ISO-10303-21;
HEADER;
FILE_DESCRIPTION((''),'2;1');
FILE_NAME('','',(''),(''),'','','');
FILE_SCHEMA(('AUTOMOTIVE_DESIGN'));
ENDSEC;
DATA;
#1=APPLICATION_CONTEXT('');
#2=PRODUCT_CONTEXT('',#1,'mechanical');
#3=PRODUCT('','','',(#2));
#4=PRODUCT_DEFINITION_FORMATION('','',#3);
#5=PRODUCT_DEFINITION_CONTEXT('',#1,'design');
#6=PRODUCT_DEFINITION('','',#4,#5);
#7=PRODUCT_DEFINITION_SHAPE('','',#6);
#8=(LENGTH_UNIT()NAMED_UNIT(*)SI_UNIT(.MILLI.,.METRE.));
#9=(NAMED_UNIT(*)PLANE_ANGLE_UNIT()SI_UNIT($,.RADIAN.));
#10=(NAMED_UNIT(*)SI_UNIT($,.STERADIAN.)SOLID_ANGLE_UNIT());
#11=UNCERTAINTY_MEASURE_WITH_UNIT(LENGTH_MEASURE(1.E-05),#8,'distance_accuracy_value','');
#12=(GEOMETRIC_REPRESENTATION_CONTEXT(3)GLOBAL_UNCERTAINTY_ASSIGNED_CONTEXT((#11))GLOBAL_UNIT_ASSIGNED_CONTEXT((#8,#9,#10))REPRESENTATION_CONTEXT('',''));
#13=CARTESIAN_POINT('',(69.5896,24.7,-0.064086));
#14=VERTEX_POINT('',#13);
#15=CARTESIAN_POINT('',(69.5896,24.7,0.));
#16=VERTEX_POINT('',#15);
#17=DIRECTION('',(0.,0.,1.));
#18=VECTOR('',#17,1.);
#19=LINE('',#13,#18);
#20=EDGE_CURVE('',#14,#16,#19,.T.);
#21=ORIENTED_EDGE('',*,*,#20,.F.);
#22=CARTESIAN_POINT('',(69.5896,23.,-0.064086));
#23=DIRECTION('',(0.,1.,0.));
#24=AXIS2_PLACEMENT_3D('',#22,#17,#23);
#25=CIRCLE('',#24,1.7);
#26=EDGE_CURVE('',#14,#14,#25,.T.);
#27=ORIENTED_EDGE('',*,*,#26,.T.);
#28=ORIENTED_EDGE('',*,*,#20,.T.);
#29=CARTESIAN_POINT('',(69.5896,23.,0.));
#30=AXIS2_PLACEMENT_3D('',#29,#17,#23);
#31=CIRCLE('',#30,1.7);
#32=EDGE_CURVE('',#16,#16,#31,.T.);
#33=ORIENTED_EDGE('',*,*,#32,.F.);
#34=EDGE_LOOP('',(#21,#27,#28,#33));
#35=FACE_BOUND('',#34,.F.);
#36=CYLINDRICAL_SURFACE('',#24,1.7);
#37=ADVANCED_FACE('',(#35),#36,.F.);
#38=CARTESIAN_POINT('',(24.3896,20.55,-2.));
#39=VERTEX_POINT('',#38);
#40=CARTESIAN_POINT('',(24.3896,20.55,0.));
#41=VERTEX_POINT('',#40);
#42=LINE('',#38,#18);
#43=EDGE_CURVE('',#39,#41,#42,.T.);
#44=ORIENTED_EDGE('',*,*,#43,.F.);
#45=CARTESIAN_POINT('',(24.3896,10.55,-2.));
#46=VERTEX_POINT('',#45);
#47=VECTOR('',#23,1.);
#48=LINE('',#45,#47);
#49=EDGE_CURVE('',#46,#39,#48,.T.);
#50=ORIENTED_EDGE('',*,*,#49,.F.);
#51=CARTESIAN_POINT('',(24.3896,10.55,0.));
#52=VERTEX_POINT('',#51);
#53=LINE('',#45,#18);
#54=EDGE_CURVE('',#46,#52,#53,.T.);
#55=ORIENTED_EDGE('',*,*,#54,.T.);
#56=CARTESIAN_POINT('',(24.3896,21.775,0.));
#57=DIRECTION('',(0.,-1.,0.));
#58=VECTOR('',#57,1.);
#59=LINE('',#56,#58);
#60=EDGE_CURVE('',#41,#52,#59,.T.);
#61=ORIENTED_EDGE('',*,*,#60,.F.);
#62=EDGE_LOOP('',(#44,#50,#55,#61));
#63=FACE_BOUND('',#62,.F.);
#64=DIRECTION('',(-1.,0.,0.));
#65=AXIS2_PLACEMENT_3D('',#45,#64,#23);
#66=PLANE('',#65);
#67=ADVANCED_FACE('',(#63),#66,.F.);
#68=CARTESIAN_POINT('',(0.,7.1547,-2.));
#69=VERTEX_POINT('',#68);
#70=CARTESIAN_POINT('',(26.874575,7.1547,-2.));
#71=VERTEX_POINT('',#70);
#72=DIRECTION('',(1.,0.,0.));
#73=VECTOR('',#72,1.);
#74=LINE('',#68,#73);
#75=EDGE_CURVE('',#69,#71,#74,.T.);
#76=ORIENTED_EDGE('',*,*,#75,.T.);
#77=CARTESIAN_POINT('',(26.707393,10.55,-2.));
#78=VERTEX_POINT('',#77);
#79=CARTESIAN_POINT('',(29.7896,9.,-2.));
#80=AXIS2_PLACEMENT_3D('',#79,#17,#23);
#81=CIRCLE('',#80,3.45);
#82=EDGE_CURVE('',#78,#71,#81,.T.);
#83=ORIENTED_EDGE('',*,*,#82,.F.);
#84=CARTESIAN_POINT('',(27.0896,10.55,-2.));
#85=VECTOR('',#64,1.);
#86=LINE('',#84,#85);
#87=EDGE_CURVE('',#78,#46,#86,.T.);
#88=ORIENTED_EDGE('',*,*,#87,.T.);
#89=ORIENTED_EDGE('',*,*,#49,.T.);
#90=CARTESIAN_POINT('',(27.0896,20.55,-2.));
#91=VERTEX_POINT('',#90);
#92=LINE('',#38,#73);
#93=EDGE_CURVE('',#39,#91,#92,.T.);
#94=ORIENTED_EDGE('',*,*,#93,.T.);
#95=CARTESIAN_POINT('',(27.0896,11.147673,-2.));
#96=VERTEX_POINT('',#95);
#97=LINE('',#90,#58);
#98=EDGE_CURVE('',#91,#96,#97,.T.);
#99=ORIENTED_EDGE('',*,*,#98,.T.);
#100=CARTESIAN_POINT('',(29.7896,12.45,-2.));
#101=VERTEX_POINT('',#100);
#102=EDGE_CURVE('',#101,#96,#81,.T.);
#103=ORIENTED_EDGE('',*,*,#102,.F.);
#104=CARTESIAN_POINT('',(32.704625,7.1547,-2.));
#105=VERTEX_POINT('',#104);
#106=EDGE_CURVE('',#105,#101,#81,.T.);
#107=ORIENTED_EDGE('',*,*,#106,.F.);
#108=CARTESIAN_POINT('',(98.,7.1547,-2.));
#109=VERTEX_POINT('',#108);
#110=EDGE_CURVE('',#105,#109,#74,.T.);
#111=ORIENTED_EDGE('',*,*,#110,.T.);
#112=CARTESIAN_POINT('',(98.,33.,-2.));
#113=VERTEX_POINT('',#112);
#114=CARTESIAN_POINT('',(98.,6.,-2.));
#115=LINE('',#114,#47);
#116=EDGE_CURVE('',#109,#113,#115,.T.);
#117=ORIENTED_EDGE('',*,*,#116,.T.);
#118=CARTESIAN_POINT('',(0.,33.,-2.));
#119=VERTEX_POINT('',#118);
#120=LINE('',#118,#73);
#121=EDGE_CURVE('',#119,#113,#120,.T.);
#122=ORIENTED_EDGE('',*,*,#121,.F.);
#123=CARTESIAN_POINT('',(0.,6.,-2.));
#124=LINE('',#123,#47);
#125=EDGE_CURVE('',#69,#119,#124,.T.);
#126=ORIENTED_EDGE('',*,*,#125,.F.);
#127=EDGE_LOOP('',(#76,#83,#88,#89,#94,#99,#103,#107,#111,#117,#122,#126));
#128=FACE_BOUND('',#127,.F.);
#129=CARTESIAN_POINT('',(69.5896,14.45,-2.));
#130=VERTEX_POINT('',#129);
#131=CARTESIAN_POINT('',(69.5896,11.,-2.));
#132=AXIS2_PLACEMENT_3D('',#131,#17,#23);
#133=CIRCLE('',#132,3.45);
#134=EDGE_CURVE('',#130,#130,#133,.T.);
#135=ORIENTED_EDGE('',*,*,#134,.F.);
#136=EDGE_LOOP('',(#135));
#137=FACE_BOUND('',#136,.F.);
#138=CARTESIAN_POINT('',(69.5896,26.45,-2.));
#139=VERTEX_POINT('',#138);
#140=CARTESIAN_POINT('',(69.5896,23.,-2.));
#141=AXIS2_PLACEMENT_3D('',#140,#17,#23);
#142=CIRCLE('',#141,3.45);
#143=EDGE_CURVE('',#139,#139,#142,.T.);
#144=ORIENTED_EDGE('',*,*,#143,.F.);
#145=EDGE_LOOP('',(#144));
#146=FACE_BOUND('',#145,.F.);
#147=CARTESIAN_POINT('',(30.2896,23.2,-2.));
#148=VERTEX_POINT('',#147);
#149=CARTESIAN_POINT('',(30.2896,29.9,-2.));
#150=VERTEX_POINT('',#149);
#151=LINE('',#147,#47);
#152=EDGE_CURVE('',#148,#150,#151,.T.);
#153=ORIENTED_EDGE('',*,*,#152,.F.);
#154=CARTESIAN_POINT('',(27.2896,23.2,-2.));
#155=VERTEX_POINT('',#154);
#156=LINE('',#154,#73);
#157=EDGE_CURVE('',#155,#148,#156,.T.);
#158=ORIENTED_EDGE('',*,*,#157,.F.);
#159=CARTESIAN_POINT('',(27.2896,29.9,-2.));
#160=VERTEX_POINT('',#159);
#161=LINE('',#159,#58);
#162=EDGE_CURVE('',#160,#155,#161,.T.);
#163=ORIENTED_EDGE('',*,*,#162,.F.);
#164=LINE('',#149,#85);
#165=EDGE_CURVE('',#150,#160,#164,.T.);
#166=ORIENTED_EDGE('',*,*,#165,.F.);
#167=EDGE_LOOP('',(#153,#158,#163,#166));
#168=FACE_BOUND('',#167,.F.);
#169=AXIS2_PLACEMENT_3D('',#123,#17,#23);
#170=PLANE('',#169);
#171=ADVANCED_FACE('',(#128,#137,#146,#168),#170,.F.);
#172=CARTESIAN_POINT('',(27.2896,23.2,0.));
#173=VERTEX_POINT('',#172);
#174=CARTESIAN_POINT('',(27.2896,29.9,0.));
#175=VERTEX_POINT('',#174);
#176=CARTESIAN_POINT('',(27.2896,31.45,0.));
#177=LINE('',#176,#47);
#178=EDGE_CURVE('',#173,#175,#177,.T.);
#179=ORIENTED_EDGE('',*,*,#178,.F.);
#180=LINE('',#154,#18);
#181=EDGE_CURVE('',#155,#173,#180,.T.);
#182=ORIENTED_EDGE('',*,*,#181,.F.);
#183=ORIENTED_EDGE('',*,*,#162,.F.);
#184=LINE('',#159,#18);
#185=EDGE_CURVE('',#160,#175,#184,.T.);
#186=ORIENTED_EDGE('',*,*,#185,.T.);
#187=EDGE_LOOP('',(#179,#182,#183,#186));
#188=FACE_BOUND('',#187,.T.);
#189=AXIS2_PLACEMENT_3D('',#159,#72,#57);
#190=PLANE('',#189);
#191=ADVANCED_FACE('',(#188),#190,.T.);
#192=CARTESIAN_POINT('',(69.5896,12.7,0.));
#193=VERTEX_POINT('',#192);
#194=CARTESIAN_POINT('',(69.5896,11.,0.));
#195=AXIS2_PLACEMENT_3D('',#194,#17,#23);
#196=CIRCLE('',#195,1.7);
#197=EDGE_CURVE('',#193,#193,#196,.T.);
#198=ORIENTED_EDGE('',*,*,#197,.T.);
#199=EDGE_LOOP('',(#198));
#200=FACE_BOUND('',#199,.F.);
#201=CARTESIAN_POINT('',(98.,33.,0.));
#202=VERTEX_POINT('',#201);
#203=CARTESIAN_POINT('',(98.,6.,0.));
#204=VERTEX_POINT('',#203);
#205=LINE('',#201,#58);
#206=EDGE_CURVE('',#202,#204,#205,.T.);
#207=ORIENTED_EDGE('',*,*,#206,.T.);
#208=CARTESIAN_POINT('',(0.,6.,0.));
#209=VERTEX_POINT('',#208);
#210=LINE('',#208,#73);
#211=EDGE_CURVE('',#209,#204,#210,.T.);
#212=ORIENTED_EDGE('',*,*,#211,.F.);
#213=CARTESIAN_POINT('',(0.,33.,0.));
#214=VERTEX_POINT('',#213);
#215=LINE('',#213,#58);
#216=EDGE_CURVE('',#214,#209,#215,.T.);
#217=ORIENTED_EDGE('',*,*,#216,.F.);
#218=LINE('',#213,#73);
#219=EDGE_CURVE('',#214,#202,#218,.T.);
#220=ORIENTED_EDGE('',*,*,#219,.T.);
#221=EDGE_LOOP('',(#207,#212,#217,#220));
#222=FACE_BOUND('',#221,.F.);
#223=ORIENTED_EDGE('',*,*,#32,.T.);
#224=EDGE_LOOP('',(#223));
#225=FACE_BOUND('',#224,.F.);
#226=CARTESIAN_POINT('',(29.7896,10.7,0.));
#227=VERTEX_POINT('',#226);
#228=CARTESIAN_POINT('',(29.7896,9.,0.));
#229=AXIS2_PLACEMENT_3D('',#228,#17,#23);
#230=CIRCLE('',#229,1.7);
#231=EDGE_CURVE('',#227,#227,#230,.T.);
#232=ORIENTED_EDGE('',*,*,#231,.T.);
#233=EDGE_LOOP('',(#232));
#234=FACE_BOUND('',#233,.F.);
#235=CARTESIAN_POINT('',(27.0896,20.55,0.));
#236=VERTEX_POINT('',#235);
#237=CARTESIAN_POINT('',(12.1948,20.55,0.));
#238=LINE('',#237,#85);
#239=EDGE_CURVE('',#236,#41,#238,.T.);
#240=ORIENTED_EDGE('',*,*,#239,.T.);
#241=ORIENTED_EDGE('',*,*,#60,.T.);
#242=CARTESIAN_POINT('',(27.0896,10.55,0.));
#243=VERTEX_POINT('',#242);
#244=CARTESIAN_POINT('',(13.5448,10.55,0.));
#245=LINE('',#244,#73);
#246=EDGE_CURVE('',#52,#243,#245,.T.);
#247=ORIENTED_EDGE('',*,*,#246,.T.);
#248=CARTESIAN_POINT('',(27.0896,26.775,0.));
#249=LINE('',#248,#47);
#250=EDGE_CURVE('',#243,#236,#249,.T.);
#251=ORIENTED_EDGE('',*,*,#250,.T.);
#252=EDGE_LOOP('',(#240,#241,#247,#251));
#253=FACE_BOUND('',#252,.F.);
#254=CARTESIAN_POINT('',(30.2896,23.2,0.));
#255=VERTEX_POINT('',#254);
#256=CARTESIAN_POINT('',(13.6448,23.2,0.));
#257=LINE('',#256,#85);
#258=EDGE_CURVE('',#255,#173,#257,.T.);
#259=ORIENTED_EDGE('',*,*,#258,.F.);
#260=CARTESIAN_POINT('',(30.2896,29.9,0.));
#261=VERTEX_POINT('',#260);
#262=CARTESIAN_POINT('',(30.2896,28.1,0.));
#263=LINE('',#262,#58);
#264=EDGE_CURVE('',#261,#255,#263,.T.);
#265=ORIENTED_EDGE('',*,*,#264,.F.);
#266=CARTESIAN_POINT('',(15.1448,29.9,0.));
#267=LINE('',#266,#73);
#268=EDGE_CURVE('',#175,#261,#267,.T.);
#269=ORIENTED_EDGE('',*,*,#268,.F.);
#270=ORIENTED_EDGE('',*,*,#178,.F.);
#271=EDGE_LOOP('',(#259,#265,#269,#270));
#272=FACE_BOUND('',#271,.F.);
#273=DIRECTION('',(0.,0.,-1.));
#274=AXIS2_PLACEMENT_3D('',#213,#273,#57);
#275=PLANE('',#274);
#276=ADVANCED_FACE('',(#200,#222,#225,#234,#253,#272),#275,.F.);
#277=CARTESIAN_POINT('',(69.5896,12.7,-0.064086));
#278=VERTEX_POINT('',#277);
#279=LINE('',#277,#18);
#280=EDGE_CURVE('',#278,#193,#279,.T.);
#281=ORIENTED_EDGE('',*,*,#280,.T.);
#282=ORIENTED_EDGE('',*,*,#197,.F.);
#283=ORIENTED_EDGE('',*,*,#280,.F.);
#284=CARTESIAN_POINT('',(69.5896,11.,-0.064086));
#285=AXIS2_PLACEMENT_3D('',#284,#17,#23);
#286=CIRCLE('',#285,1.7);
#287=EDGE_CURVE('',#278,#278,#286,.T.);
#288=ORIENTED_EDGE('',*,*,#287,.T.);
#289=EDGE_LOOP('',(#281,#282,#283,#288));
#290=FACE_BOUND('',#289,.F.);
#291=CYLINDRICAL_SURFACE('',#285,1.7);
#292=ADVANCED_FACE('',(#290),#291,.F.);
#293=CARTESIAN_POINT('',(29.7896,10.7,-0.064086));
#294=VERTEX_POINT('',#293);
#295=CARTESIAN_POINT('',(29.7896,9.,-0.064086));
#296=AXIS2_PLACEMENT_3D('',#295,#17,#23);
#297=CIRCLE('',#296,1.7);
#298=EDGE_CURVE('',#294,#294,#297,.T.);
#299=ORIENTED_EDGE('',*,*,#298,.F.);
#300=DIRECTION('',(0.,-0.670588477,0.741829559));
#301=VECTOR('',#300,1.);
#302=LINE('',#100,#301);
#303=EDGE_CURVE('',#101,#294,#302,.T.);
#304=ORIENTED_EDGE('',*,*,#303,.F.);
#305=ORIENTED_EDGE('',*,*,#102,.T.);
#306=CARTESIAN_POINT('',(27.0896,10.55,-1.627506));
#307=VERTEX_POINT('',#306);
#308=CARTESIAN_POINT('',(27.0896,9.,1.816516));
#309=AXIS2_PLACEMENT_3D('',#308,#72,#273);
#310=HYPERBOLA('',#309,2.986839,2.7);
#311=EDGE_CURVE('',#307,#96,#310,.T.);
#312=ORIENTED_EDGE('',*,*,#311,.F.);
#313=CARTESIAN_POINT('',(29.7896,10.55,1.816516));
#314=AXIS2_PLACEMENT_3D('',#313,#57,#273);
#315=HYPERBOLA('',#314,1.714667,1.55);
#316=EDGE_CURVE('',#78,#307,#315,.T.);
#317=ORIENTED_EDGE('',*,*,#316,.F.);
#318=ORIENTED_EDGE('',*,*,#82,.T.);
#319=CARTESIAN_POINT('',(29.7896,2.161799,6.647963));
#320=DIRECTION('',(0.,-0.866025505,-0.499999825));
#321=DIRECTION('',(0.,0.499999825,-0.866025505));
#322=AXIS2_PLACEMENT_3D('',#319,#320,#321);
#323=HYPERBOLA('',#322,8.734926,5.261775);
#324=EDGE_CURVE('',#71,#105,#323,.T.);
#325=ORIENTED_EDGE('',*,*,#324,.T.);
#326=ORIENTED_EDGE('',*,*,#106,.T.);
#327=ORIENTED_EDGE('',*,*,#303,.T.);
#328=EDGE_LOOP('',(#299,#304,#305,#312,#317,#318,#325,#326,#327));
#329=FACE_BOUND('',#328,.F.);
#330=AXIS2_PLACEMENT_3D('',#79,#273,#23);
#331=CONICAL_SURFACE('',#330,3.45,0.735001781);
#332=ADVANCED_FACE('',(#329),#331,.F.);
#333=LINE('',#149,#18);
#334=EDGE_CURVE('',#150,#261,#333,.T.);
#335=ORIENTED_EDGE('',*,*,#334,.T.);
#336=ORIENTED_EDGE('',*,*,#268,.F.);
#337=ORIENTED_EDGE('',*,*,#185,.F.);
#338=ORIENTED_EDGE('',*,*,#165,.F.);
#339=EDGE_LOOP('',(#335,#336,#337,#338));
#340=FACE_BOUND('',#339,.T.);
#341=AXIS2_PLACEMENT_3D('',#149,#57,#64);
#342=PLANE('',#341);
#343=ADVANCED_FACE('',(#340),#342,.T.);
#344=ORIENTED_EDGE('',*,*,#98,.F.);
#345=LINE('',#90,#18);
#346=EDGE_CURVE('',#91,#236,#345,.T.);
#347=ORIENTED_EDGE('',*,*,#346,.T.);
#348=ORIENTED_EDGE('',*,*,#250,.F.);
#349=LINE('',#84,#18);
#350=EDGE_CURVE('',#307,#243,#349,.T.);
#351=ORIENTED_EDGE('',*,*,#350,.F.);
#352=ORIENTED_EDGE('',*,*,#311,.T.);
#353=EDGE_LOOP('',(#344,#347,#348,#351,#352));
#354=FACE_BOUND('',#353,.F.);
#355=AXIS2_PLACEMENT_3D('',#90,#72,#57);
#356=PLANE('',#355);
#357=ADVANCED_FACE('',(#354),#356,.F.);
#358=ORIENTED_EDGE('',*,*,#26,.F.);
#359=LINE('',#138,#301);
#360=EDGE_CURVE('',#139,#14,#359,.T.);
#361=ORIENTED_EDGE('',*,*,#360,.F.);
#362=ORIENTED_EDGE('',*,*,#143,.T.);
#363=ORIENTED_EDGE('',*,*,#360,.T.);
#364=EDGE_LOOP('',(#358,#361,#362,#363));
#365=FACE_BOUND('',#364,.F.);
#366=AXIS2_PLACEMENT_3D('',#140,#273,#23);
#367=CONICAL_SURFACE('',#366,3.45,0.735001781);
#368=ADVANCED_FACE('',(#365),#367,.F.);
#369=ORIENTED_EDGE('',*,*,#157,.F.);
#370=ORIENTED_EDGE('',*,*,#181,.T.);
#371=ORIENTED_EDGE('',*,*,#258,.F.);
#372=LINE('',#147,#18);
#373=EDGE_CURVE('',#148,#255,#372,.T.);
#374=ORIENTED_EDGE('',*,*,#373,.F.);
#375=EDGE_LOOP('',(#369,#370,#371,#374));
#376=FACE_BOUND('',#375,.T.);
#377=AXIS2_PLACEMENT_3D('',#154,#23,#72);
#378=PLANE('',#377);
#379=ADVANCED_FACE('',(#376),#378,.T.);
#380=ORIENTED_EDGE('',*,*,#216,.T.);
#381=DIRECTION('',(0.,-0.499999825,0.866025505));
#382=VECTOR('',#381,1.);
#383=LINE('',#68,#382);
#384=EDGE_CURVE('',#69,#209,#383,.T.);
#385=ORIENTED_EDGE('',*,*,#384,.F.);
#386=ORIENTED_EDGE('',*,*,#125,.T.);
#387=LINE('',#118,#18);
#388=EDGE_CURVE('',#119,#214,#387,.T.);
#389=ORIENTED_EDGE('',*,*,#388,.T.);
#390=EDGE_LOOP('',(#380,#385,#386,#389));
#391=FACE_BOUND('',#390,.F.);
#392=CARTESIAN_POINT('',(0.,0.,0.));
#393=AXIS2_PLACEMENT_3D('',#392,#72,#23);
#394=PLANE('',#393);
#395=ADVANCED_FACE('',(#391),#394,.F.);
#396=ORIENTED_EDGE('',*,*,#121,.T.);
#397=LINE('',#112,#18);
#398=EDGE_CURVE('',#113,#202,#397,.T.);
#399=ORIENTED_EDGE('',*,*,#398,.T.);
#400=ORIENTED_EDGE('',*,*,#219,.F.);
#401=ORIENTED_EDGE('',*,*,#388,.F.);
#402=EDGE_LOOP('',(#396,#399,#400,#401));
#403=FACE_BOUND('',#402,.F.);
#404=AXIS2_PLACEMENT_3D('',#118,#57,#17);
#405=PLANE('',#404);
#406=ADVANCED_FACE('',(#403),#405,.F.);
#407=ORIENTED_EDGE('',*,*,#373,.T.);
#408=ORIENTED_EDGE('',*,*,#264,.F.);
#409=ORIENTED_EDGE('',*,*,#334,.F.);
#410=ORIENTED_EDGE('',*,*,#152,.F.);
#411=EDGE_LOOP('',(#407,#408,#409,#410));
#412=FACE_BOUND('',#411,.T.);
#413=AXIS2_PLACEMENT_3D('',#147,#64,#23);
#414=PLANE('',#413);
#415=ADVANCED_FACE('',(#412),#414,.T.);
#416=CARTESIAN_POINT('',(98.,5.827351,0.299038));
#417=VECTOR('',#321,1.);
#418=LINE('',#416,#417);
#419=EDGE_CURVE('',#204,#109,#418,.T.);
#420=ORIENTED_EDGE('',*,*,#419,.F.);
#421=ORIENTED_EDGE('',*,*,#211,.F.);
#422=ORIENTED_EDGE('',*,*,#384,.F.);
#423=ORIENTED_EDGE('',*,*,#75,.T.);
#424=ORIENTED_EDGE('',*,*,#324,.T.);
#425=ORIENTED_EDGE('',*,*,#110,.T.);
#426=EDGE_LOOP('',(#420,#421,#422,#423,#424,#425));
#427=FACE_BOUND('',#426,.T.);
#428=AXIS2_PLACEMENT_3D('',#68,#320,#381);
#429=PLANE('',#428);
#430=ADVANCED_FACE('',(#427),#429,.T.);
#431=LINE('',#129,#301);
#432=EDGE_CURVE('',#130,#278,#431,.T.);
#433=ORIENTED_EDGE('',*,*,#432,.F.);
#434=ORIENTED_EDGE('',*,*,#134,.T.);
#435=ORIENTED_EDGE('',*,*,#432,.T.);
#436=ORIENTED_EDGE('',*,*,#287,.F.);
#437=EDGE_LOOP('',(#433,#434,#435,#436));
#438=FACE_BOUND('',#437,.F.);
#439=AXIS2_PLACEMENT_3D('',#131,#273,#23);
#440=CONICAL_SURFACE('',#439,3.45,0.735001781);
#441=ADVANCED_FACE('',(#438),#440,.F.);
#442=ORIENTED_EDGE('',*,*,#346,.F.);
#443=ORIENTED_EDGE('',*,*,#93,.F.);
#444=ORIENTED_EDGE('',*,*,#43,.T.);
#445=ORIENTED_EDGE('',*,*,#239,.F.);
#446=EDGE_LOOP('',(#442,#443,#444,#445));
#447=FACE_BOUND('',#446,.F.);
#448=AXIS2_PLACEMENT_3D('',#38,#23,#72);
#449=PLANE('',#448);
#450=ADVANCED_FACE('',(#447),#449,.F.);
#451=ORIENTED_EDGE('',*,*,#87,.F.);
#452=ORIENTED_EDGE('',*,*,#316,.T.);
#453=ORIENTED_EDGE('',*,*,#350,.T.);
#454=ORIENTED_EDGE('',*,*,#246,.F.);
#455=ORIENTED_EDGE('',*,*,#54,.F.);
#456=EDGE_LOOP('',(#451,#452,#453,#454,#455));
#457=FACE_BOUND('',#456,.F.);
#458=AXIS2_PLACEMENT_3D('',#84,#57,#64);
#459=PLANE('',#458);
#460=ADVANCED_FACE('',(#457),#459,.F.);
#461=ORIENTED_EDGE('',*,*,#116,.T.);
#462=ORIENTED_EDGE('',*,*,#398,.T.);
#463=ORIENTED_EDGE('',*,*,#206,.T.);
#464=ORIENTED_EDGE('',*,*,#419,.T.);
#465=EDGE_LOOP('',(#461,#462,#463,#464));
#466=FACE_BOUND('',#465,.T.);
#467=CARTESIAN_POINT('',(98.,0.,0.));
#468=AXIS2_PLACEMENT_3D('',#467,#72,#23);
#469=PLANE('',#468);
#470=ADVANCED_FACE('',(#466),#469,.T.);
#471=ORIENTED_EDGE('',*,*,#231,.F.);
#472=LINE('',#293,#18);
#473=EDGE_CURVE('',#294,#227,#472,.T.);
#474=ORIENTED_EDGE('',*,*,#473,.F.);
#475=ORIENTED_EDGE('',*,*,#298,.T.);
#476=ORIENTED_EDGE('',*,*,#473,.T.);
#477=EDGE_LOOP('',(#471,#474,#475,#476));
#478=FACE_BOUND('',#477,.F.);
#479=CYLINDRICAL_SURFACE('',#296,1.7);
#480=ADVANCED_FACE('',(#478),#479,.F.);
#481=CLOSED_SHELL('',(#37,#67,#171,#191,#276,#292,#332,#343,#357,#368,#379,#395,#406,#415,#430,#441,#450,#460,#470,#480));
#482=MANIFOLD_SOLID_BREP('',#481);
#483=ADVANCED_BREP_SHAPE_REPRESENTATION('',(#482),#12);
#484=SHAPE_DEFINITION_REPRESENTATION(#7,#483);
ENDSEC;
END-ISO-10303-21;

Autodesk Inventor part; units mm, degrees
ref_plane "YZ Plane" through (0, 0, 0) normal (1, 0, 0) x (0, 1, 0)
ref_plane "XZ Plane" through (0, 0, 0) normal (0, 1, 0) x (-1, 0, 0)
ref_plane "XY Plane" through (0, 0, 0) normal (0, 0, 1) x (1, 0, 0)
sketch "Szkic1" plane through (0, 0, 0) normal (1, 0, 0) x (0, 1, 0)
  line L0 (6, 0) -> (6, -2)
  line L1 (6, -2) -> (33, -2)
  line L2 (33, -2) -> (33, 0)
  line L3 (33, 0) -> (6, 0)
  line L4 (31, 0) -> (31, 2.3) construction
  line L5 (6, 0) -> (31, 0) construction
  line L6 (6, 5) -> (6, 0) construction
  dimension "d1" = 2
  dimension "d27" = 2
extrude "Wyciągnięcie proste1" add sketch "Szkic1" along normal blind 98
sketch "Szkic2" plane through (0, 6, -2) normal (0, 0, -1) x (-1, 0, 0)
  circle A0 centre (-69.5896, 17) radius 1.2295 construction
  circle A1 centre (-69.5896, 5) radius 1.2295 construction
  circle A2 centre (-29.7896, 3) radius 1.2295 construction
hole "Otwór1" at (69.5896, 23, -2) at (69.5896, 11, -2) at (29.7896, 9, -2) direction (0, 0, 1) diameter 3.4 depth 5.5 tip angle 118 countersink diameter 6.9 countersink angle 84.225 clearance for "Śruba ze łbem stożkowym ISO 2009/7046" size "M3" standard "ISO"
sketch "Szkic3" plane through (0, 6, -2) normal (0, 0, -1) x (-1, 0, 0)
  line L0 (-32.2896, 0) -> (-32.2896, 25) projected
  line L1 (-27.0896, 4.55) -> (-24.3896, 4.55)
  line L2 (-24.3896, 4.55) -> (-24.3896, 14.55)
  line L3 (-24.3896, 14.55) -> (-27.0896, 14.55)
  line L4 (-27.0896, 14.55) -> (-27.0896, 4.55)
  line L5 (-30.2896, 23.9) -> (-27.2896, 23.9)
  line L6 (-27.2896, 23.9) -> (-27.2896, 17.2)
  line L7 (-27.2896, 17.2) -> (-30.2896, 17.2)
  line L8 (-30.2896, 17.2) -> (-30.2896, 23.9)
  point P0 (0, -6)
  dimension "d17" = 5.2
  dimension "d18" = 4.55
  dimension "d19" = 2.7
  dimension "d20" = 10
  dimension "d21" = 2
  dimension "d22" = 17.2
  dimension "d23" = 6.7
  dimension "d24" = 3
extrude "Wyciągnięcie proste2" cut sketch "Szkic3" against normal up to next
sketch "Sketch4" plane through (0, 0, 0) normal (-1, 0, 0) x (0, 0, 1)
  line L0 (-2, 6) -> (-2, 33) construction
  line L1 (-2, 6) -> (-2, 7.1547)
  line L2 (0, 6) -> (-2, 6)
  line L3 (-2, 7.1547) -> (0, 6)
  point P0 (0, 0)
  dimension "d31" = 30
extrude "Extrusion3" cut sketch "Sketch4" against normal through all
properties part number "Tyl" material "Aluminium 6061"
